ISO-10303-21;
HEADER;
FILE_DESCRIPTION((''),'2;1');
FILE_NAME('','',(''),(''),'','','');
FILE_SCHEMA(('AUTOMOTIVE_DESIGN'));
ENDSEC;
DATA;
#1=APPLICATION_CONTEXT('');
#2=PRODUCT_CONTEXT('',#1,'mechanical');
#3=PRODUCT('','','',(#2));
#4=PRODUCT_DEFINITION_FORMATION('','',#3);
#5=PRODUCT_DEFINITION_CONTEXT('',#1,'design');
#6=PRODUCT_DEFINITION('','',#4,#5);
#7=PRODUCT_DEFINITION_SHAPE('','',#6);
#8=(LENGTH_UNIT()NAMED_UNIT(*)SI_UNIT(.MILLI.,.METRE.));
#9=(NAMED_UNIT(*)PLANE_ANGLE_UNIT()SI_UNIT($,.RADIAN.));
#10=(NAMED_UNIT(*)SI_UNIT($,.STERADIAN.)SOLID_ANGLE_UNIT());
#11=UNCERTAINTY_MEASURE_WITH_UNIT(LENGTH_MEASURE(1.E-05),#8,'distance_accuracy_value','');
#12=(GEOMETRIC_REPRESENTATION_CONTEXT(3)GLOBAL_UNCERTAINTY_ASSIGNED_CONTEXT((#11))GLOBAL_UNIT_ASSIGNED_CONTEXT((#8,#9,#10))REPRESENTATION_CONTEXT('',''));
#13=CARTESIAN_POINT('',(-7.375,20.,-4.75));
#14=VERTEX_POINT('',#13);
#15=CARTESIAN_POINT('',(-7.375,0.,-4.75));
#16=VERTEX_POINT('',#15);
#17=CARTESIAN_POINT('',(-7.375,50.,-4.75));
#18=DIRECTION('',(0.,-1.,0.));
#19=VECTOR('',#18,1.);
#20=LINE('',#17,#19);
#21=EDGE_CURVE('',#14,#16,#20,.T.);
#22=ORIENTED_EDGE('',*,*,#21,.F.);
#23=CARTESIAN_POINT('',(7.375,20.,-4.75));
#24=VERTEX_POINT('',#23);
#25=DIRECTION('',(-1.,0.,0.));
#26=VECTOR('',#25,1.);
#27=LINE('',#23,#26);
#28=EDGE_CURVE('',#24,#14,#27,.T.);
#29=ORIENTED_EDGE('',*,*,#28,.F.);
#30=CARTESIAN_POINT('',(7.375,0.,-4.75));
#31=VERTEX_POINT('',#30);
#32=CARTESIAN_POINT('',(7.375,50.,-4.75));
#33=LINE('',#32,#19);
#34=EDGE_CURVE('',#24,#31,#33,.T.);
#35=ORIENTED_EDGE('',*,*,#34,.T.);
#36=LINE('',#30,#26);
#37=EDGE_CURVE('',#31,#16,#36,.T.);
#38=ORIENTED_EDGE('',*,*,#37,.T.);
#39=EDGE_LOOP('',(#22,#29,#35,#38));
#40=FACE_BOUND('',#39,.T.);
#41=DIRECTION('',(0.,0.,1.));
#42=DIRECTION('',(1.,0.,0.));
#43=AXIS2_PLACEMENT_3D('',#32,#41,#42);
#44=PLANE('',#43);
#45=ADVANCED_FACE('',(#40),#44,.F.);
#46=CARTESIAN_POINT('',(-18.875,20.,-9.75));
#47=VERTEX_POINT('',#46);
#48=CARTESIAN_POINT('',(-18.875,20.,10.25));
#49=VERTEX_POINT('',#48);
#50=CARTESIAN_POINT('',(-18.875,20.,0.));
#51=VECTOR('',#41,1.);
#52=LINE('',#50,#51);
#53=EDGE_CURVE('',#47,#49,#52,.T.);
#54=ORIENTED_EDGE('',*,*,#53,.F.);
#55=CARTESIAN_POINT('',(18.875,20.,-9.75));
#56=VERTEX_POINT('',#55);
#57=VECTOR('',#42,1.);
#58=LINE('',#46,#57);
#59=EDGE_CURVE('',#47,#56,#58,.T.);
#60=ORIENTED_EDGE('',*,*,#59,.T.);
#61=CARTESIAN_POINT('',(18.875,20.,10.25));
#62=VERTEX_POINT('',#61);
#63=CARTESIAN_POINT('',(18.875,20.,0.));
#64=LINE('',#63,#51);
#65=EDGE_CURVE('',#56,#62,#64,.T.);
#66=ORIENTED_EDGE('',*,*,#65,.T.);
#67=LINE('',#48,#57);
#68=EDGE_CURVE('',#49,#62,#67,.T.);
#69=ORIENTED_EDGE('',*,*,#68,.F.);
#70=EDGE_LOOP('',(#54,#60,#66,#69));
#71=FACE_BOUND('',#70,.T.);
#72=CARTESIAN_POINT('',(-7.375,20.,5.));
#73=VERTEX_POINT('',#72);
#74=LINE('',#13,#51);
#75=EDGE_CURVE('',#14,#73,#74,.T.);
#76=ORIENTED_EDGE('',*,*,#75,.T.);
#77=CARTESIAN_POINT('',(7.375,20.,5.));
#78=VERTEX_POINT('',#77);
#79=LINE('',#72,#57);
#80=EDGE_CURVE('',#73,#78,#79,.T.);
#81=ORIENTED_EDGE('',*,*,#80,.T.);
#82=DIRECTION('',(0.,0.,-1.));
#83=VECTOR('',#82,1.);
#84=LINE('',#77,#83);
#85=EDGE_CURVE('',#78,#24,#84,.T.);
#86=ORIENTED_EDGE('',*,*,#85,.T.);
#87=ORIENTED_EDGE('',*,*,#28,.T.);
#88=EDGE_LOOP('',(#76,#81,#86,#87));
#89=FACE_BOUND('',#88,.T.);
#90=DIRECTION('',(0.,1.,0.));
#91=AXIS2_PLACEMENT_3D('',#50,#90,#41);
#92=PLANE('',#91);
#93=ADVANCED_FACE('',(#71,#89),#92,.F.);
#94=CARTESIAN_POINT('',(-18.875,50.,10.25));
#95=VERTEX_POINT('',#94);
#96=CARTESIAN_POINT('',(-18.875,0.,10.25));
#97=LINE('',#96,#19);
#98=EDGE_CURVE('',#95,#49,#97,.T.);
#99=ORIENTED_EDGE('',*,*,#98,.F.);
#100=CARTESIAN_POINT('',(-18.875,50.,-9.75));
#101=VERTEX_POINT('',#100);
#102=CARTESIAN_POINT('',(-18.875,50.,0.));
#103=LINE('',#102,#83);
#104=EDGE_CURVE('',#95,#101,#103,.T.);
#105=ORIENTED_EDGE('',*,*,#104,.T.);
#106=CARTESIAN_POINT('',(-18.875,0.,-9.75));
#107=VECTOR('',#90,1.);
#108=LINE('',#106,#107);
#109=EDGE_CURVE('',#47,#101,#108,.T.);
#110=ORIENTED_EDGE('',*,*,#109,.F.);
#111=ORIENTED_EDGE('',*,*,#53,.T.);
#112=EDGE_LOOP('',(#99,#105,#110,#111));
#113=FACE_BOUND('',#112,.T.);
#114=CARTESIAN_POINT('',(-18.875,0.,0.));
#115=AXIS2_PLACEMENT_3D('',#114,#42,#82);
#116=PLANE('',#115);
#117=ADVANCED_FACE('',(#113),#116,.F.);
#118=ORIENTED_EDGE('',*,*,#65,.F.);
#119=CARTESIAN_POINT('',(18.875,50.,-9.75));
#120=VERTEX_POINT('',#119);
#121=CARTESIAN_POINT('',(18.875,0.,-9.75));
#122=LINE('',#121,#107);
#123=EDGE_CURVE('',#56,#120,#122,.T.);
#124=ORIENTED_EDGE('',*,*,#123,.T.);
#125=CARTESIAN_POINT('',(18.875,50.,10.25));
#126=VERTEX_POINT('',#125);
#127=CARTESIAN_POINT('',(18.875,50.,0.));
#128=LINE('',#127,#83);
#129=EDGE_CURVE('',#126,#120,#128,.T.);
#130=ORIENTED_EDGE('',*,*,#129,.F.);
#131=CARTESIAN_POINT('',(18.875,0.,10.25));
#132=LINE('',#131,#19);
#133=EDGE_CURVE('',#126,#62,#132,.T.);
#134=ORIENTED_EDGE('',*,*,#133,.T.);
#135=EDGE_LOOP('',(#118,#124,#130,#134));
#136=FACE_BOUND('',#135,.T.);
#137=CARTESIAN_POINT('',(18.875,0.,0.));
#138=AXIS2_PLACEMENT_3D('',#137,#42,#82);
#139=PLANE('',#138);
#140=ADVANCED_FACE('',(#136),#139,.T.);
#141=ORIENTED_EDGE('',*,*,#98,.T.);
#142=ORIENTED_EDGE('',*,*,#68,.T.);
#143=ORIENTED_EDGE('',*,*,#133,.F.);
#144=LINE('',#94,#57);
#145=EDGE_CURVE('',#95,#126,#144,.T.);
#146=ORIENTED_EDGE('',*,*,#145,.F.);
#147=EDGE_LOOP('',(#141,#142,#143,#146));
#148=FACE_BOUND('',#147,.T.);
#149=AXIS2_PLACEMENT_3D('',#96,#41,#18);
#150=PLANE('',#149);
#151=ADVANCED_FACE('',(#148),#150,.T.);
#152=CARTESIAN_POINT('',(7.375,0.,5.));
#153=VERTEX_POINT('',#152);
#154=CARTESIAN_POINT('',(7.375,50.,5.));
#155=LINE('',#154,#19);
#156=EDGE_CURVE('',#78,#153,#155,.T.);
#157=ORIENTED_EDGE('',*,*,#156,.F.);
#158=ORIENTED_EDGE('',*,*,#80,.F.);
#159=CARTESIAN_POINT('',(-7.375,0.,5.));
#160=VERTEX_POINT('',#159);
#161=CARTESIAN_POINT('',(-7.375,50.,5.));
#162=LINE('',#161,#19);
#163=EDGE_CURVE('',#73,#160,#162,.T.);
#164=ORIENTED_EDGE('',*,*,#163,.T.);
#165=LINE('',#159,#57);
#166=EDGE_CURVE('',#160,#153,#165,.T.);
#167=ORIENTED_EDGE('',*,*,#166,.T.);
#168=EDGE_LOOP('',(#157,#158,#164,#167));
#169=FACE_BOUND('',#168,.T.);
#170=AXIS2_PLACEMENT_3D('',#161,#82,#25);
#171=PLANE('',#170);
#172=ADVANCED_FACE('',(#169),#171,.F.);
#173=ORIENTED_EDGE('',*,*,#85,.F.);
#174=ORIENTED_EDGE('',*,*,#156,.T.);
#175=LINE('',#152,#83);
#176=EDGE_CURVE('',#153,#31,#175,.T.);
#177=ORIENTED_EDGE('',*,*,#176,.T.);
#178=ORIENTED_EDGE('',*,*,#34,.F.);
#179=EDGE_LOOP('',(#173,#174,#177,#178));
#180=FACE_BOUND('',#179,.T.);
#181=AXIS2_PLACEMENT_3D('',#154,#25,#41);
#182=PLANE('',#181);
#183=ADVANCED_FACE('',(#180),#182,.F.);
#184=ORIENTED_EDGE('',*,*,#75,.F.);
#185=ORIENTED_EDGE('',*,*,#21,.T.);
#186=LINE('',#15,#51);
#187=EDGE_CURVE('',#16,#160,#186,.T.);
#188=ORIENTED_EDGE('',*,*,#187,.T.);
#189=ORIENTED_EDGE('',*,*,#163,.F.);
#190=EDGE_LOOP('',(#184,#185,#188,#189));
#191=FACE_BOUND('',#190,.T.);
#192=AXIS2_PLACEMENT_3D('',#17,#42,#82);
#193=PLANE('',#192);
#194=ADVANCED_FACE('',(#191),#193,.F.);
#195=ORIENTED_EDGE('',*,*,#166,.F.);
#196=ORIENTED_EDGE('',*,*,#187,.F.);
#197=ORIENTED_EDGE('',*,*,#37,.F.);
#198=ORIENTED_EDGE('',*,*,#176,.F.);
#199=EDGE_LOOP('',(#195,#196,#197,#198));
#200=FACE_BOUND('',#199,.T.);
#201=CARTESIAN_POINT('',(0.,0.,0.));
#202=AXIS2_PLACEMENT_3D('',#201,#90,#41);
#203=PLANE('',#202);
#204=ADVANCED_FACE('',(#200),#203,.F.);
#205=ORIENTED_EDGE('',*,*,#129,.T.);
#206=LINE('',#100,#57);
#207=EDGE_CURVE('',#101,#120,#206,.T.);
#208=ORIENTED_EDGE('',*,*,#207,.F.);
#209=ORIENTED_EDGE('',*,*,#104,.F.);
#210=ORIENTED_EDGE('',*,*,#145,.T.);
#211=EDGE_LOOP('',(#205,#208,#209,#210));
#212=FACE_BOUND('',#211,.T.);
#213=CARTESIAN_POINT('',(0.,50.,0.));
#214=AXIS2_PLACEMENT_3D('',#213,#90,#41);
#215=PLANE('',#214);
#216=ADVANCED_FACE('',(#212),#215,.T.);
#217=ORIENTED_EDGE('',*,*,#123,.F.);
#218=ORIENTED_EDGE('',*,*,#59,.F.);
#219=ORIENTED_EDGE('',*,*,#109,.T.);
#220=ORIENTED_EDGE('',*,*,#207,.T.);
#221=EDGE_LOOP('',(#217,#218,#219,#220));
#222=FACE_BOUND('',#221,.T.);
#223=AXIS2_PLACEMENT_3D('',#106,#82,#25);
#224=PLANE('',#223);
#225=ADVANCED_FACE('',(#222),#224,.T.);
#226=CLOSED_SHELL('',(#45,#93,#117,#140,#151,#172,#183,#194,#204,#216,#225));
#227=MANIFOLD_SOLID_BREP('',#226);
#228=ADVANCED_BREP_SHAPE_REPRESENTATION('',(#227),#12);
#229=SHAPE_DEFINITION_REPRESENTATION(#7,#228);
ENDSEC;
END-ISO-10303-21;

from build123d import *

# Parameters (mm, degrees)
SKETCH1_W                = 14.75
SKETCH1_H                = 9.75
BOSS_EXTRUDE1_DEPTH      = 50
BOSS_EXTRUDE2_DEPTH      = 18.875
BOSS_EXTRUDE2_DEPTH_BACK = 18.875


with BuildPart() as part:
    # Sketch1 → Boss-Extrude1 (new body)
    with BuildSketch(Plane(origin=(0, 0, 0), x_dir=(1, 0, 0), z_dir=(0, 1, 0))):
        with Locations((0, -0.125)):
            Rectangle(SKETCH1_W, SKETCH1_H)
    extrude(amount=BOSS_EXTRUDE1_DEPTH)

    # Sketch3 → Boss-Extrude2 (add, two sides: drawn at the far end of the back side and taken through both)
    with BuildSketch(Plane(origin=(0, 0, 0), x_dir=(0, 0, -1), z_dir=(1, 0, 0)).offset(-BOSS_EXTRUDE2_DEPTH_BACK)):
        Polygon((-10.25, 20), (-5.25, 20), (9.75, 20), (9.75, 50), (-10.25, 50), align=None)
    extrude(amount=BOSS_EXTRUDE2_DEPTH + BOSS_EXTRUDE2_DEPTH_BACK)


solid = part.part
